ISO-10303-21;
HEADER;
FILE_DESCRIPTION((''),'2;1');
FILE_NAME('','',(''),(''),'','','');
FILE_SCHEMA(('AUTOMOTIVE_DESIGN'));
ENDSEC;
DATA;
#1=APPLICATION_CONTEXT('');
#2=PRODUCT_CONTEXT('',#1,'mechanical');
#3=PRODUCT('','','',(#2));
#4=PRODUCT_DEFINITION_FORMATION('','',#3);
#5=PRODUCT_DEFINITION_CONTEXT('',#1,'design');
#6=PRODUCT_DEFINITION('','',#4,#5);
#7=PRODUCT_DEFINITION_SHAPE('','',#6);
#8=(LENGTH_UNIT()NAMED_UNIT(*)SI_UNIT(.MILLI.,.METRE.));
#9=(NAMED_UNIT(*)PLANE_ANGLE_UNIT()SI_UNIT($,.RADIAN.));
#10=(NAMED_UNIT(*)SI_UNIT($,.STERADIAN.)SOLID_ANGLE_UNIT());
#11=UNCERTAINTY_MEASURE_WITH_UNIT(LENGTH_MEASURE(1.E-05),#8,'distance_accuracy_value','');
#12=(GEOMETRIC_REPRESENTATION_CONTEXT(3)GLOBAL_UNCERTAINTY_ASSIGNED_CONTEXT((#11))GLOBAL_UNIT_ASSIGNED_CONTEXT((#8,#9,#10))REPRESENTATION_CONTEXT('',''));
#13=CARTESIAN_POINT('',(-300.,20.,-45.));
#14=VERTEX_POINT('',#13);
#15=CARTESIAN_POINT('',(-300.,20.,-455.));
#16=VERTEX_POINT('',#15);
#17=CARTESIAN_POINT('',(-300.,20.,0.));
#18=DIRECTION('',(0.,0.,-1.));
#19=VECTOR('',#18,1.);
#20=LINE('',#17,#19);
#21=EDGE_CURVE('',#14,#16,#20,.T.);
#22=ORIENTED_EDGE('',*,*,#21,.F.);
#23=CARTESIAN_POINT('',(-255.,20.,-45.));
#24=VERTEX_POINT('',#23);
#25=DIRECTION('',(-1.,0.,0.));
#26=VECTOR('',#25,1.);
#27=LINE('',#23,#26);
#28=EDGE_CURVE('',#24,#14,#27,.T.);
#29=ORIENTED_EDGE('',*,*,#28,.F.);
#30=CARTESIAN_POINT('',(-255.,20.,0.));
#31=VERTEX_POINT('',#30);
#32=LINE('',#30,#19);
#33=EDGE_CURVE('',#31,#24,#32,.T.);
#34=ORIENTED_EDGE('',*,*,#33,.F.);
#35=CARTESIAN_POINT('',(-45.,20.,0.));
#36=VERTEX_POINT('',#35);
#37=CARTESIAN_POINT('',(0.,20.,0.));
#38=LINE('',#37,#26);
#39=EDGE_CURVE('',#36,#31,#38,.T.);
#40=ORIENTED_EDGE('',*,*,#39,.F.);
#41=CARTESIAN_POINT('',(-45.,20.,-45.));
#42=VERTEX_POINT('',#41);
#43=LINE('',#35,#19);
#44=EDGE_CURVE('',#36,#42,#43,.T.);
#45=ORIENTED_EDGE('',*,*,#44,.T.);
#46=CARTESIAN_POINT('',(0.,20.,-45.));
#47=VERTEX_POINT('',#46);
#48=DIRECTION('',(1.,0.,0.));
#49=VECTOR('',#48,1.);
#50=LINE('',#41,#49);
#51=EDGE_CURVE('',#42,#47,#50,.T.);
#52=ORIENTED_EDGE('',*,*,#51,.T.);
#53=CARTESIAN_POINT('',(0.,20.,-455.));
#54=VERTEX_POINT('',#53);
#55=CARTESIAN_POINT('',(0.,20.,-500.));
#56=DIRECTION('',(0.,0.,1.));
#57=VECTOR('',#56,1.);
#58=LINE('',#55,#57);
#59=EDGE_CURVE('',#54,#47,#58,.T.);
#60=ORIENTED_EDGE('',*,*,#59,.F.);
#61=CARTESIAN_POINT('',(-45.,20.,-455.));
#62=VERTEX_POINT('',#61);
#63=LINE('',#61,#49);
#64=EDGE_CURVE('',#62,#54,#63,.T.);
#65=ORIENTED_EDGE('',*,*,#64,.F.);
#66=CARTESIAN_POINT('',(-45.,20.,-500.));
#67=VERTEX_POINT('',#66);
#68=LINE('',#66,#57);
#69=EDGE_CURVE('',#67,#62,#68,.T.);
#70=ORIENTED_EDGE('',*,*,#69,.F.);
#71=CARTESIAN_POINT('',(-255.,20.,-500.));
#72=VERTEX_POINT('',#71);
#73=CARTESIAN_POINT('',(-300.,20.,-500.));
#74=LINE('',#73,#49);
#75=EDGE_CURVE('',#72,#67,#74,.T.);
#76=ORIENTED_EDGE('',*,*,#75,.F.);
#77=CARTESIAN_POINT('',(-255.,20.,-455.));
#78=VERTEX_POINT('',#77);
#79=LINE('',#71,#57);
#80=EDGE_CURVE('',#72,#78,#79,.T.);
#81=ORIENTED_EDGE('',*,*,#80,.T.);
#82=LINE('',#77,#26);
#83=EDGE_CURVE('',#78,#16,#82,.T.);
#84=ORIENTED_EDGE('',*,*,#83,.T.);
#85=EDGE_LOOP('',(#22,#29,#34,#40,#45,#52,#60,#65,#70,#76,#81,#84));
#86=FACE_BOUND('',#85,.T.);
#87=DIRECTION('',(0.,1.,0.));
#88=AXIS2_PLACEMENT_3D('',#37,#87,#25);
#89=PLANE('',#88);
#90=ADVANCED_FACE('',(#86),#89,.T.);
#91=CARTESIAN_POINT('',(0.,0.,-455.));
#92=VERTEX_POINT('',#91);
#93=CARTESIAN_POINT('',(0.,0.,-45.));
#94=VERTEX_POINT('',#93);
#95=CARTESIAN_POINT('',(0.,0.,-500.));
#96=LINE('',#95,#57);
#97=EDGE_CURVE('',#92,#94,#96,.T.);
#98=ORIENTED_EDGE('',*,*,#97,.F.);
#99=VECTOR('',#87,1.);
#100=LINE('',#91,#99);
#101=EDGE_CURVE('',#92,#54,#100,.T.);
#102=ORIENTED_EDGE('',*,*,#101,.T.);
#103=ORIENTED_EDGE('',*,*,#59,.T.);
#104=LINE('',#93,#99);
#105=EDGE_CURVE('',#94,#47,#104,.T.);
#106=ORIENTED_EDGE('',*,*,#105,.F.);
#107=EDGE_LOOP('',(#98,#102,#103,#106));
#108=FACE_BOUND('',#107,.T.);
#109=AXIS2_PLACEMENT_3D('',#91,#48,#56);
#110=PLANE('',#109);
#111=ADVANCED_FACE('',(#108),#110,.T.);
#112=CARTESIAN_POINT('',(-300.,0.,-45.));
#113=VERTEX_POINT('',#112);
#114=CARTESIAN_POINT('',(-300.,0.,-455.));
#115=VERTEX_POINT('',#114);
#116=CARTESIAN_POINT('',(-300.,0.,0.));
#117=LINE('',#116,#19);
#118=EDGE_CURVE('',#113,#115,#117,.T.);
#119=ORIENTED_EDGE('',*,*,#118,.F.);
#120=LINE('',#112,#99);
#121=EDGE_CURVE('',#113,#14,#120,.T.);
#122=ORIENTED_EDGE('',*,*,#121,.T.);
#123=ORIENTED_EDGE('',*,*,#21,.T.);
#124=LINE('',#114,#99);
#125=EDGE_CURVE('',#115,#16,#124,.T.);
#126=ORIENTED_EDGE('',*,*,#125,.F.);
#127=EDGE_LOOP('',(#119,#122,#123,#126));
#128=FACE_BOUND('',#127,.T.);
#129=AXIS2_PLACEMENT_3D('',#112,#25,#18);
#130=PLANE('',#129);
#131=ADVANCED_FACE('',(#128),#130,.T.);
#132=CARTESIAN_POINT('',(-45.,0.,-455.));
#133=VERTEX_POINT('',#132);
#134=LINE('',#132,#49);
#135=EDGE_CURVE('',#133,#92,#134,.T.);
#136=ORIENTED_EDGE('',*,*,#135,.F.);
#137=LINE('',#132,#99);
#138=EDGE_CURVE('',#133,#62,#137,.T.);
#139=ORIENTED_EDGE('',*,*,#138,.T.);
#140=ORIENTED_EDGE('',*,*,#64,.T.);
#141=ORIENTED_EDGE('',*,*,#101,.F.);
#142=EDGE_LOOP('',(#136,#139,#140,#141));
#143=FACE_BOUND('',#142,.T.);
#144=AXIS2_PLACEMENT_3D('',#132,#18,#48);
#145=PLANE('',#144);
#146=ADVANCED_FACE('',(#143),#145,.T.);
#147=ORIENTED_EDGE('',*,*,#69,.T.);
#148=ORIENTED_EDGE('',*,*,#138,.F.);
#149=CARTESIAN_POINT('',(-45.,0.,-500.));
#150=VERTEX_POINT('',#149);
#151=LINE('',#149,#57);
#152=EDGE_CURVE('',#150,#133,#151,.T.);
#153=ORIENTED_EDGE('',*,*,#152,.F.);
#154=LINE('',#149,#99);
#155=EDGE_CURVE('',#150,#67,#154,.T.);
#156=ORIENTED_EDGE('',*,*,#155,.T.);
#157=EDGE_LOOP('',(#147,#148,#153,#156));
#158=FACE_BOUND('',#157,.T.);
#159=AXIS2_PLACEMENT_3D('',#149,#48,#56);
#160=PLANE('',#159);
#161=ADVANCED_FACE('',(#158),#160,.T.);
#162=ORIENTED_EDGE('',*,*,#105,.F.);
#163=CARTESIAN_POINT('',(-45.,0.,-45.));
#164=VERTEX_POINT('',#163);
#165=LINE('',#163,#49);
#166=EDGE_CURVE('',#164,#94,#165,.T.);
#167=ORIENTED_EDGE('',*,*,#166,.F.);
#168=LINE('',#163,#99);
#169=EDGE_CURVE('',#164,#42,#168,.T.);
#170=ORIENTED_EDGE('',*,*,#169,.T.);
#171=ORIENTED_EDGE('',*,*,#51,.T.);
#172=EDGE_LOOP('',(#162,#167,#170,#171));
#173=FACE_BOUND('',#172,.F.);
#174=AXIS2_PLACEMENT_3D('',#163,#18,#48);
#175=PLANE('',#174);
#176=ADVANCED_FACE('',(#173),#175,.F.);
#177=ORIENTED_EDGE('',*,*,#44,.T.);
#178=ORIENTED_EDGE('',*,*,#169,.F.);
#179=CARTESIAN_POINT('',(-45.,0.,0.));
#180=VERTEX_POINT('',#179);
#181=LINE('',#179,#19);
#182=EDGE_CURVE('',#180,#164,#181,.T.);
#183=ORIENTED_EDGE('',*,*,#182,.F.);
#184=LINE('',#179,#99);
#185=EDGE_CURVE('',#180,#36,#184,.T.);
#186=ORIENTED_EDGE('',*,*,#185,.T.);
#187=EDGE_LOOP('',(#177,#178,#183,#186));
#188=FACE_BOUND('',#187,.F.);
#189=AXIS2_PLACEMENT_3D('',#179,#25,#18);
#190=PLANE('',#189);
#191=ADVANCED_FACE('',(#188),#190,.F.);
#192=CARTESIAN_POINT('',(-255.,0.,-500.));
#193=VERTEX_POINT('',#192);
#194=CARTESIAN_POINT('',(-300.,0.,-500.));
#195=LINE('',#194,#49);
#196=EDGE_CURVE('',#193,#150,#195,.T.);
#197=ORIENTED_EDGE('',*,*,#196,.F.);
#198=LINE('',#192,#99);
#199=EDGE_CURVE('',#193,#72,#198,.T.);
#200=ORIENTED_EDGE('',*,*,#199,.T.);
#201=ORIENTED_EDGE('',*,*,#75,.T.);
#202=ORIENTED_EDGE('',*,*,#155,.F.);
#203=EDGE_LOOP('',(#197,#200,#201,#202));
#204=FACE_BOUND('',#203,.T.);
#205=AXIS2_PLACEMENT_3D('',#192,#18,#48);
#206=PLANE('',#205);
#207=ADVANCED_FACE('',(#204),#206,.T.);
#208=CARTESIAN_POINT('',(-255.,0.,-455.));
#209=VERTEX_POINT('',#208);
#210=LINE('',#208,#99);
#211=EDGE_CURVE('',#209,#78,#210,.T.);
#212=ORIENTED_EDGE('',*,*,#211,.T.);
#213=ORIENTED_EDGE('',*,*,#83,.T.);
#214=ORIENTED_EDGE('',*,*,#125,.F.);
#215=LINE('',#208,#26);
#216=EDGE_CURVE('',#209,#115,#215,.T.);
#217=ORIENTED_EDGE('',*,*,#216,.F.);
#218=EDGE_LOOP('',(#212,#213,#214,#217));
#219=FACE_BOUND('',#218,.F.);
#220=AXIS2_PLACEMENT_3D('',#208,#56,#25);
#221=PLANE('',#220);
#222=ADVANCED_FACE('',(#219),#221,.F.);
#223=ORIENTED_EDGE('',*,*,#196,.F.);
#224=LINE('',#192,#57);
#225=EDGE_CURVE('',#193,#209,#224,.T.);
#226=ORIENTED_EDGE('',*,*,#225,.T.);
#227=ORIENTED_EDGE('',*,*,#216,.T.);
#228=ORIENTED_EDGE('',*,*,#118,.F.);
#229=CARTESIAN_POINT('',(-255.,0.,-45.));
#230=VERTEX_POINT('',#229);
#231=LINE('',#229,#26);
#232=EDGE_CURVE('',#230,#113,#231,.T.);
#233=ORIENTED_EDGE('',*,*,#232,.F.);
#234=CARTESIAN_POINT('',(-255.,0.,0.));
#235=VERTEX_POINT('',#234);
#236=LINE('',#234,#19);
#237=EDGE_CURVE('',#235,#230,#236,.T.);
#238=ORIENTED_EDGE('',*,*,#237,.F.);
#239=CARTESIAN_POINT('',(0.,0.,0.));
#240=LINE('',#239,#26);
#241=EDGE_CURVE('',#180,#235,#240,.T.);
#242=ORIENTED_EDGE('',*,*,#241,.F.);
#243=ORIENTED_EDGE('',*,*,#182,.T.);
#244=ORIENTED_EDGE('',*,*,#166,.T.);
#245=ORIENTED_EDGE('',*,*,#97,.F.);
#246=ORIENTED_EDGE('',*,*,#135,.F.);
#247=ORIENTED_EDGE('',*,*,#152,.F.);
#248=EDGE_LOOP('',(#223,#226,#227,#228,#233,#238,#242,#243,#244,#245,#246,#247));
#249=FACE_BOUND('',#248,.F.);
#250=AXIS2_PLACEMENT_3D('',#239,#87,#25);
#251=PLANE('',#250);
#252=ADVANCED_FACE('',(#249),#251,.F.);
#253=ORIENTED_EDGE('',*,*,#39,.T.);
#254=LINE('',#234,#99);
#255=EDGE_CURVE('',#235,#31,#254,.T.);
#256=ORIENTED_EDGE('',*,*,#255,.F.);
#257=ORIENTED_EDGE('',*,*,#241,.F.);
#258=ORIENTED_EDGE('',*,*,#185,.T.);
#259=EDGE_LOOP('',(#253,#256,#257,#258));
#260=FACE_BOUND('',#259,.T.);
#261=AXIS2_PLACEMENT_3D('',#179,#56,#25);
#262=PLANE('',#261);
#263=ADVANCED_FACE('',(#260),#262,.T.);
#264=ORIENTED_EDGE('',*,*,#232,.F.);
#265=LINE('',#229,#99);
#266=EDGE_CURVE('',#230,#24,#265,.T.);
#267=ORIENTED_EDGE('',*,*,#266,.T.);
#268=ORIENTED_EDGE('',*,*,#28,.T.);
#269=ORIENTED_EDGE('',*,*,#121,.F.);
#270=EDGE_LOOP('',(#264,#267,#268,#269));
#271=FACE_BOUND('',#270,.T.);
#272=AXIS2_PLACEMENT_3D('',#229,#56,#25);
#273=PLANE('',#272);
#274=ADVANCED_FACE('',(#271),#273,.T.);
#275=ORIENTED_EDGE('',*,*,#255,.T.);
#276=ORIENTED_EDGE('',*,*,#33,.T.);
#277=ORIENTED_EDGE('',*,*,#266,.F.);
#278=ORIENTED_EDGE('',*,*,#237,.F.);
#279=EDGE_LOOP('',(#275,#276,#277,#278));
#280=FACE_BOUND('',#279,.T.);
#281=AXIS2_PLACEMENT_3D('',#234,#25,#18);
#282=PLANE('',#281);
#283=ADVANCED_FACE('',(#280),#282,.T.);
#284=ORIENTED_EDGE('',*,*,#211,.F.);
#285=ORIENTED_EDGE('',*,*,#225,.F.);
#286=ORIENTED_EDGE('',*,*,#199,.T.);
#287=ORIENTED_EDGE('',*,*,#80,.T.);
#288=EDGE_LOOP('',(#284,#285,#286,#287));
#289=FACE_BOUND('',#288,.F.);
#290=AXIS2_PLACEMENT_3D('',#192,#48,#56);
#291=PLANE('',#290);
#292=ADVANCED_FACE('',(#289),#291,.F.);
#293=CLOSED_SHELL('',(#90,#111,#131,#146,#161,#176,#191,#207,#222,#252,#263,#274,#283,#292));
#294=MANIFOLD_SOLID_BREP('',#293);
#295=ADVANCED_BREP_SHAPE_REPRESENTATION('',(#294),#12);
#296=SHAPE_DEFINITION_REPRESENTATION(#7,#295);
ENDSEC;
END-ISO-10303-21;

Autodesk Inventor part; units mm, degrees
ref_plane "YZ Plane" through (0, 0, 0) normal (1, 0, 0) x (0, 1, 0)
ref_plane "XZ Plane" through (0, 0, 0) normal (0, 1, 0) x (-1, 0, 0)
ref_plane "XY Plane" through (0, 0, 0) normal (0, 0, 1) x (1, 0, 0)
sketch "Sketch2" plane through (0, 0, 0) normal (0, 1, 0) x (-1, 0, 0)
  line L0 (0, 0) -> (300, 0)
  line L1 (300, 0) -> (300, -500)
  line L2 (300, -500) -> (0, -500)
  line L3 (0, -500) -> (0, 0)
  line L4 (300, 0) -> (255, 0)
  line L5 (255, 0) -> (255, -45)
  line L6 (255, -45) -> (300, -45)
  line L7 (300, -45) -> (300, 0)
  line L8 (300, -500) -> (255, -500)
  line L9 (255, -500) -> (255, -455)
  line L10 (255, -455) -> (300, -455)
  line L11 (300, -455) -> (300, -500)
  line L12 (0, -500) -> (45, -500)
  line L13 (45, -500) -> (45, -455)
  line L14 (45, -455) -> (0, -455)
  line L15 (0, -455) -> (0, -500)
  line L16 (0, 0) -> (45, 0)
  line L17 (45, 0) -> (45, -45)
  line L18 (45, -45) -> (0, -45)
  line L19 (0, -45) -> (0, 0)
  point P0 (0, -45)
  point P1 (0, -455)
  point P2 (300, -455)
  point P3 (255, 0)
  point P4 (45, 0)
  dimension "d0" = 300
  dimension "d1" = 500
  dimension "d12" = 45
  dimension "d13" = 45
  dimension "d14" = 45
  dimension "d15" = 45
  dimension "d16" = 45
  dimension "d17" = 45
  dimension "d18" = 45
  dimension "d19" = 45
ref_plane "Work Plane1" through (0, 20, 0) normal (0, 1, 0) x (1, 0, 0)
extrude "Extrusion2" add sketch "Sketch2" along normal blind 20 contours L0 L5 L6 L1 L10 L9 L2 L13 L14 L3 L18 L17
properties part number "Shelf"
